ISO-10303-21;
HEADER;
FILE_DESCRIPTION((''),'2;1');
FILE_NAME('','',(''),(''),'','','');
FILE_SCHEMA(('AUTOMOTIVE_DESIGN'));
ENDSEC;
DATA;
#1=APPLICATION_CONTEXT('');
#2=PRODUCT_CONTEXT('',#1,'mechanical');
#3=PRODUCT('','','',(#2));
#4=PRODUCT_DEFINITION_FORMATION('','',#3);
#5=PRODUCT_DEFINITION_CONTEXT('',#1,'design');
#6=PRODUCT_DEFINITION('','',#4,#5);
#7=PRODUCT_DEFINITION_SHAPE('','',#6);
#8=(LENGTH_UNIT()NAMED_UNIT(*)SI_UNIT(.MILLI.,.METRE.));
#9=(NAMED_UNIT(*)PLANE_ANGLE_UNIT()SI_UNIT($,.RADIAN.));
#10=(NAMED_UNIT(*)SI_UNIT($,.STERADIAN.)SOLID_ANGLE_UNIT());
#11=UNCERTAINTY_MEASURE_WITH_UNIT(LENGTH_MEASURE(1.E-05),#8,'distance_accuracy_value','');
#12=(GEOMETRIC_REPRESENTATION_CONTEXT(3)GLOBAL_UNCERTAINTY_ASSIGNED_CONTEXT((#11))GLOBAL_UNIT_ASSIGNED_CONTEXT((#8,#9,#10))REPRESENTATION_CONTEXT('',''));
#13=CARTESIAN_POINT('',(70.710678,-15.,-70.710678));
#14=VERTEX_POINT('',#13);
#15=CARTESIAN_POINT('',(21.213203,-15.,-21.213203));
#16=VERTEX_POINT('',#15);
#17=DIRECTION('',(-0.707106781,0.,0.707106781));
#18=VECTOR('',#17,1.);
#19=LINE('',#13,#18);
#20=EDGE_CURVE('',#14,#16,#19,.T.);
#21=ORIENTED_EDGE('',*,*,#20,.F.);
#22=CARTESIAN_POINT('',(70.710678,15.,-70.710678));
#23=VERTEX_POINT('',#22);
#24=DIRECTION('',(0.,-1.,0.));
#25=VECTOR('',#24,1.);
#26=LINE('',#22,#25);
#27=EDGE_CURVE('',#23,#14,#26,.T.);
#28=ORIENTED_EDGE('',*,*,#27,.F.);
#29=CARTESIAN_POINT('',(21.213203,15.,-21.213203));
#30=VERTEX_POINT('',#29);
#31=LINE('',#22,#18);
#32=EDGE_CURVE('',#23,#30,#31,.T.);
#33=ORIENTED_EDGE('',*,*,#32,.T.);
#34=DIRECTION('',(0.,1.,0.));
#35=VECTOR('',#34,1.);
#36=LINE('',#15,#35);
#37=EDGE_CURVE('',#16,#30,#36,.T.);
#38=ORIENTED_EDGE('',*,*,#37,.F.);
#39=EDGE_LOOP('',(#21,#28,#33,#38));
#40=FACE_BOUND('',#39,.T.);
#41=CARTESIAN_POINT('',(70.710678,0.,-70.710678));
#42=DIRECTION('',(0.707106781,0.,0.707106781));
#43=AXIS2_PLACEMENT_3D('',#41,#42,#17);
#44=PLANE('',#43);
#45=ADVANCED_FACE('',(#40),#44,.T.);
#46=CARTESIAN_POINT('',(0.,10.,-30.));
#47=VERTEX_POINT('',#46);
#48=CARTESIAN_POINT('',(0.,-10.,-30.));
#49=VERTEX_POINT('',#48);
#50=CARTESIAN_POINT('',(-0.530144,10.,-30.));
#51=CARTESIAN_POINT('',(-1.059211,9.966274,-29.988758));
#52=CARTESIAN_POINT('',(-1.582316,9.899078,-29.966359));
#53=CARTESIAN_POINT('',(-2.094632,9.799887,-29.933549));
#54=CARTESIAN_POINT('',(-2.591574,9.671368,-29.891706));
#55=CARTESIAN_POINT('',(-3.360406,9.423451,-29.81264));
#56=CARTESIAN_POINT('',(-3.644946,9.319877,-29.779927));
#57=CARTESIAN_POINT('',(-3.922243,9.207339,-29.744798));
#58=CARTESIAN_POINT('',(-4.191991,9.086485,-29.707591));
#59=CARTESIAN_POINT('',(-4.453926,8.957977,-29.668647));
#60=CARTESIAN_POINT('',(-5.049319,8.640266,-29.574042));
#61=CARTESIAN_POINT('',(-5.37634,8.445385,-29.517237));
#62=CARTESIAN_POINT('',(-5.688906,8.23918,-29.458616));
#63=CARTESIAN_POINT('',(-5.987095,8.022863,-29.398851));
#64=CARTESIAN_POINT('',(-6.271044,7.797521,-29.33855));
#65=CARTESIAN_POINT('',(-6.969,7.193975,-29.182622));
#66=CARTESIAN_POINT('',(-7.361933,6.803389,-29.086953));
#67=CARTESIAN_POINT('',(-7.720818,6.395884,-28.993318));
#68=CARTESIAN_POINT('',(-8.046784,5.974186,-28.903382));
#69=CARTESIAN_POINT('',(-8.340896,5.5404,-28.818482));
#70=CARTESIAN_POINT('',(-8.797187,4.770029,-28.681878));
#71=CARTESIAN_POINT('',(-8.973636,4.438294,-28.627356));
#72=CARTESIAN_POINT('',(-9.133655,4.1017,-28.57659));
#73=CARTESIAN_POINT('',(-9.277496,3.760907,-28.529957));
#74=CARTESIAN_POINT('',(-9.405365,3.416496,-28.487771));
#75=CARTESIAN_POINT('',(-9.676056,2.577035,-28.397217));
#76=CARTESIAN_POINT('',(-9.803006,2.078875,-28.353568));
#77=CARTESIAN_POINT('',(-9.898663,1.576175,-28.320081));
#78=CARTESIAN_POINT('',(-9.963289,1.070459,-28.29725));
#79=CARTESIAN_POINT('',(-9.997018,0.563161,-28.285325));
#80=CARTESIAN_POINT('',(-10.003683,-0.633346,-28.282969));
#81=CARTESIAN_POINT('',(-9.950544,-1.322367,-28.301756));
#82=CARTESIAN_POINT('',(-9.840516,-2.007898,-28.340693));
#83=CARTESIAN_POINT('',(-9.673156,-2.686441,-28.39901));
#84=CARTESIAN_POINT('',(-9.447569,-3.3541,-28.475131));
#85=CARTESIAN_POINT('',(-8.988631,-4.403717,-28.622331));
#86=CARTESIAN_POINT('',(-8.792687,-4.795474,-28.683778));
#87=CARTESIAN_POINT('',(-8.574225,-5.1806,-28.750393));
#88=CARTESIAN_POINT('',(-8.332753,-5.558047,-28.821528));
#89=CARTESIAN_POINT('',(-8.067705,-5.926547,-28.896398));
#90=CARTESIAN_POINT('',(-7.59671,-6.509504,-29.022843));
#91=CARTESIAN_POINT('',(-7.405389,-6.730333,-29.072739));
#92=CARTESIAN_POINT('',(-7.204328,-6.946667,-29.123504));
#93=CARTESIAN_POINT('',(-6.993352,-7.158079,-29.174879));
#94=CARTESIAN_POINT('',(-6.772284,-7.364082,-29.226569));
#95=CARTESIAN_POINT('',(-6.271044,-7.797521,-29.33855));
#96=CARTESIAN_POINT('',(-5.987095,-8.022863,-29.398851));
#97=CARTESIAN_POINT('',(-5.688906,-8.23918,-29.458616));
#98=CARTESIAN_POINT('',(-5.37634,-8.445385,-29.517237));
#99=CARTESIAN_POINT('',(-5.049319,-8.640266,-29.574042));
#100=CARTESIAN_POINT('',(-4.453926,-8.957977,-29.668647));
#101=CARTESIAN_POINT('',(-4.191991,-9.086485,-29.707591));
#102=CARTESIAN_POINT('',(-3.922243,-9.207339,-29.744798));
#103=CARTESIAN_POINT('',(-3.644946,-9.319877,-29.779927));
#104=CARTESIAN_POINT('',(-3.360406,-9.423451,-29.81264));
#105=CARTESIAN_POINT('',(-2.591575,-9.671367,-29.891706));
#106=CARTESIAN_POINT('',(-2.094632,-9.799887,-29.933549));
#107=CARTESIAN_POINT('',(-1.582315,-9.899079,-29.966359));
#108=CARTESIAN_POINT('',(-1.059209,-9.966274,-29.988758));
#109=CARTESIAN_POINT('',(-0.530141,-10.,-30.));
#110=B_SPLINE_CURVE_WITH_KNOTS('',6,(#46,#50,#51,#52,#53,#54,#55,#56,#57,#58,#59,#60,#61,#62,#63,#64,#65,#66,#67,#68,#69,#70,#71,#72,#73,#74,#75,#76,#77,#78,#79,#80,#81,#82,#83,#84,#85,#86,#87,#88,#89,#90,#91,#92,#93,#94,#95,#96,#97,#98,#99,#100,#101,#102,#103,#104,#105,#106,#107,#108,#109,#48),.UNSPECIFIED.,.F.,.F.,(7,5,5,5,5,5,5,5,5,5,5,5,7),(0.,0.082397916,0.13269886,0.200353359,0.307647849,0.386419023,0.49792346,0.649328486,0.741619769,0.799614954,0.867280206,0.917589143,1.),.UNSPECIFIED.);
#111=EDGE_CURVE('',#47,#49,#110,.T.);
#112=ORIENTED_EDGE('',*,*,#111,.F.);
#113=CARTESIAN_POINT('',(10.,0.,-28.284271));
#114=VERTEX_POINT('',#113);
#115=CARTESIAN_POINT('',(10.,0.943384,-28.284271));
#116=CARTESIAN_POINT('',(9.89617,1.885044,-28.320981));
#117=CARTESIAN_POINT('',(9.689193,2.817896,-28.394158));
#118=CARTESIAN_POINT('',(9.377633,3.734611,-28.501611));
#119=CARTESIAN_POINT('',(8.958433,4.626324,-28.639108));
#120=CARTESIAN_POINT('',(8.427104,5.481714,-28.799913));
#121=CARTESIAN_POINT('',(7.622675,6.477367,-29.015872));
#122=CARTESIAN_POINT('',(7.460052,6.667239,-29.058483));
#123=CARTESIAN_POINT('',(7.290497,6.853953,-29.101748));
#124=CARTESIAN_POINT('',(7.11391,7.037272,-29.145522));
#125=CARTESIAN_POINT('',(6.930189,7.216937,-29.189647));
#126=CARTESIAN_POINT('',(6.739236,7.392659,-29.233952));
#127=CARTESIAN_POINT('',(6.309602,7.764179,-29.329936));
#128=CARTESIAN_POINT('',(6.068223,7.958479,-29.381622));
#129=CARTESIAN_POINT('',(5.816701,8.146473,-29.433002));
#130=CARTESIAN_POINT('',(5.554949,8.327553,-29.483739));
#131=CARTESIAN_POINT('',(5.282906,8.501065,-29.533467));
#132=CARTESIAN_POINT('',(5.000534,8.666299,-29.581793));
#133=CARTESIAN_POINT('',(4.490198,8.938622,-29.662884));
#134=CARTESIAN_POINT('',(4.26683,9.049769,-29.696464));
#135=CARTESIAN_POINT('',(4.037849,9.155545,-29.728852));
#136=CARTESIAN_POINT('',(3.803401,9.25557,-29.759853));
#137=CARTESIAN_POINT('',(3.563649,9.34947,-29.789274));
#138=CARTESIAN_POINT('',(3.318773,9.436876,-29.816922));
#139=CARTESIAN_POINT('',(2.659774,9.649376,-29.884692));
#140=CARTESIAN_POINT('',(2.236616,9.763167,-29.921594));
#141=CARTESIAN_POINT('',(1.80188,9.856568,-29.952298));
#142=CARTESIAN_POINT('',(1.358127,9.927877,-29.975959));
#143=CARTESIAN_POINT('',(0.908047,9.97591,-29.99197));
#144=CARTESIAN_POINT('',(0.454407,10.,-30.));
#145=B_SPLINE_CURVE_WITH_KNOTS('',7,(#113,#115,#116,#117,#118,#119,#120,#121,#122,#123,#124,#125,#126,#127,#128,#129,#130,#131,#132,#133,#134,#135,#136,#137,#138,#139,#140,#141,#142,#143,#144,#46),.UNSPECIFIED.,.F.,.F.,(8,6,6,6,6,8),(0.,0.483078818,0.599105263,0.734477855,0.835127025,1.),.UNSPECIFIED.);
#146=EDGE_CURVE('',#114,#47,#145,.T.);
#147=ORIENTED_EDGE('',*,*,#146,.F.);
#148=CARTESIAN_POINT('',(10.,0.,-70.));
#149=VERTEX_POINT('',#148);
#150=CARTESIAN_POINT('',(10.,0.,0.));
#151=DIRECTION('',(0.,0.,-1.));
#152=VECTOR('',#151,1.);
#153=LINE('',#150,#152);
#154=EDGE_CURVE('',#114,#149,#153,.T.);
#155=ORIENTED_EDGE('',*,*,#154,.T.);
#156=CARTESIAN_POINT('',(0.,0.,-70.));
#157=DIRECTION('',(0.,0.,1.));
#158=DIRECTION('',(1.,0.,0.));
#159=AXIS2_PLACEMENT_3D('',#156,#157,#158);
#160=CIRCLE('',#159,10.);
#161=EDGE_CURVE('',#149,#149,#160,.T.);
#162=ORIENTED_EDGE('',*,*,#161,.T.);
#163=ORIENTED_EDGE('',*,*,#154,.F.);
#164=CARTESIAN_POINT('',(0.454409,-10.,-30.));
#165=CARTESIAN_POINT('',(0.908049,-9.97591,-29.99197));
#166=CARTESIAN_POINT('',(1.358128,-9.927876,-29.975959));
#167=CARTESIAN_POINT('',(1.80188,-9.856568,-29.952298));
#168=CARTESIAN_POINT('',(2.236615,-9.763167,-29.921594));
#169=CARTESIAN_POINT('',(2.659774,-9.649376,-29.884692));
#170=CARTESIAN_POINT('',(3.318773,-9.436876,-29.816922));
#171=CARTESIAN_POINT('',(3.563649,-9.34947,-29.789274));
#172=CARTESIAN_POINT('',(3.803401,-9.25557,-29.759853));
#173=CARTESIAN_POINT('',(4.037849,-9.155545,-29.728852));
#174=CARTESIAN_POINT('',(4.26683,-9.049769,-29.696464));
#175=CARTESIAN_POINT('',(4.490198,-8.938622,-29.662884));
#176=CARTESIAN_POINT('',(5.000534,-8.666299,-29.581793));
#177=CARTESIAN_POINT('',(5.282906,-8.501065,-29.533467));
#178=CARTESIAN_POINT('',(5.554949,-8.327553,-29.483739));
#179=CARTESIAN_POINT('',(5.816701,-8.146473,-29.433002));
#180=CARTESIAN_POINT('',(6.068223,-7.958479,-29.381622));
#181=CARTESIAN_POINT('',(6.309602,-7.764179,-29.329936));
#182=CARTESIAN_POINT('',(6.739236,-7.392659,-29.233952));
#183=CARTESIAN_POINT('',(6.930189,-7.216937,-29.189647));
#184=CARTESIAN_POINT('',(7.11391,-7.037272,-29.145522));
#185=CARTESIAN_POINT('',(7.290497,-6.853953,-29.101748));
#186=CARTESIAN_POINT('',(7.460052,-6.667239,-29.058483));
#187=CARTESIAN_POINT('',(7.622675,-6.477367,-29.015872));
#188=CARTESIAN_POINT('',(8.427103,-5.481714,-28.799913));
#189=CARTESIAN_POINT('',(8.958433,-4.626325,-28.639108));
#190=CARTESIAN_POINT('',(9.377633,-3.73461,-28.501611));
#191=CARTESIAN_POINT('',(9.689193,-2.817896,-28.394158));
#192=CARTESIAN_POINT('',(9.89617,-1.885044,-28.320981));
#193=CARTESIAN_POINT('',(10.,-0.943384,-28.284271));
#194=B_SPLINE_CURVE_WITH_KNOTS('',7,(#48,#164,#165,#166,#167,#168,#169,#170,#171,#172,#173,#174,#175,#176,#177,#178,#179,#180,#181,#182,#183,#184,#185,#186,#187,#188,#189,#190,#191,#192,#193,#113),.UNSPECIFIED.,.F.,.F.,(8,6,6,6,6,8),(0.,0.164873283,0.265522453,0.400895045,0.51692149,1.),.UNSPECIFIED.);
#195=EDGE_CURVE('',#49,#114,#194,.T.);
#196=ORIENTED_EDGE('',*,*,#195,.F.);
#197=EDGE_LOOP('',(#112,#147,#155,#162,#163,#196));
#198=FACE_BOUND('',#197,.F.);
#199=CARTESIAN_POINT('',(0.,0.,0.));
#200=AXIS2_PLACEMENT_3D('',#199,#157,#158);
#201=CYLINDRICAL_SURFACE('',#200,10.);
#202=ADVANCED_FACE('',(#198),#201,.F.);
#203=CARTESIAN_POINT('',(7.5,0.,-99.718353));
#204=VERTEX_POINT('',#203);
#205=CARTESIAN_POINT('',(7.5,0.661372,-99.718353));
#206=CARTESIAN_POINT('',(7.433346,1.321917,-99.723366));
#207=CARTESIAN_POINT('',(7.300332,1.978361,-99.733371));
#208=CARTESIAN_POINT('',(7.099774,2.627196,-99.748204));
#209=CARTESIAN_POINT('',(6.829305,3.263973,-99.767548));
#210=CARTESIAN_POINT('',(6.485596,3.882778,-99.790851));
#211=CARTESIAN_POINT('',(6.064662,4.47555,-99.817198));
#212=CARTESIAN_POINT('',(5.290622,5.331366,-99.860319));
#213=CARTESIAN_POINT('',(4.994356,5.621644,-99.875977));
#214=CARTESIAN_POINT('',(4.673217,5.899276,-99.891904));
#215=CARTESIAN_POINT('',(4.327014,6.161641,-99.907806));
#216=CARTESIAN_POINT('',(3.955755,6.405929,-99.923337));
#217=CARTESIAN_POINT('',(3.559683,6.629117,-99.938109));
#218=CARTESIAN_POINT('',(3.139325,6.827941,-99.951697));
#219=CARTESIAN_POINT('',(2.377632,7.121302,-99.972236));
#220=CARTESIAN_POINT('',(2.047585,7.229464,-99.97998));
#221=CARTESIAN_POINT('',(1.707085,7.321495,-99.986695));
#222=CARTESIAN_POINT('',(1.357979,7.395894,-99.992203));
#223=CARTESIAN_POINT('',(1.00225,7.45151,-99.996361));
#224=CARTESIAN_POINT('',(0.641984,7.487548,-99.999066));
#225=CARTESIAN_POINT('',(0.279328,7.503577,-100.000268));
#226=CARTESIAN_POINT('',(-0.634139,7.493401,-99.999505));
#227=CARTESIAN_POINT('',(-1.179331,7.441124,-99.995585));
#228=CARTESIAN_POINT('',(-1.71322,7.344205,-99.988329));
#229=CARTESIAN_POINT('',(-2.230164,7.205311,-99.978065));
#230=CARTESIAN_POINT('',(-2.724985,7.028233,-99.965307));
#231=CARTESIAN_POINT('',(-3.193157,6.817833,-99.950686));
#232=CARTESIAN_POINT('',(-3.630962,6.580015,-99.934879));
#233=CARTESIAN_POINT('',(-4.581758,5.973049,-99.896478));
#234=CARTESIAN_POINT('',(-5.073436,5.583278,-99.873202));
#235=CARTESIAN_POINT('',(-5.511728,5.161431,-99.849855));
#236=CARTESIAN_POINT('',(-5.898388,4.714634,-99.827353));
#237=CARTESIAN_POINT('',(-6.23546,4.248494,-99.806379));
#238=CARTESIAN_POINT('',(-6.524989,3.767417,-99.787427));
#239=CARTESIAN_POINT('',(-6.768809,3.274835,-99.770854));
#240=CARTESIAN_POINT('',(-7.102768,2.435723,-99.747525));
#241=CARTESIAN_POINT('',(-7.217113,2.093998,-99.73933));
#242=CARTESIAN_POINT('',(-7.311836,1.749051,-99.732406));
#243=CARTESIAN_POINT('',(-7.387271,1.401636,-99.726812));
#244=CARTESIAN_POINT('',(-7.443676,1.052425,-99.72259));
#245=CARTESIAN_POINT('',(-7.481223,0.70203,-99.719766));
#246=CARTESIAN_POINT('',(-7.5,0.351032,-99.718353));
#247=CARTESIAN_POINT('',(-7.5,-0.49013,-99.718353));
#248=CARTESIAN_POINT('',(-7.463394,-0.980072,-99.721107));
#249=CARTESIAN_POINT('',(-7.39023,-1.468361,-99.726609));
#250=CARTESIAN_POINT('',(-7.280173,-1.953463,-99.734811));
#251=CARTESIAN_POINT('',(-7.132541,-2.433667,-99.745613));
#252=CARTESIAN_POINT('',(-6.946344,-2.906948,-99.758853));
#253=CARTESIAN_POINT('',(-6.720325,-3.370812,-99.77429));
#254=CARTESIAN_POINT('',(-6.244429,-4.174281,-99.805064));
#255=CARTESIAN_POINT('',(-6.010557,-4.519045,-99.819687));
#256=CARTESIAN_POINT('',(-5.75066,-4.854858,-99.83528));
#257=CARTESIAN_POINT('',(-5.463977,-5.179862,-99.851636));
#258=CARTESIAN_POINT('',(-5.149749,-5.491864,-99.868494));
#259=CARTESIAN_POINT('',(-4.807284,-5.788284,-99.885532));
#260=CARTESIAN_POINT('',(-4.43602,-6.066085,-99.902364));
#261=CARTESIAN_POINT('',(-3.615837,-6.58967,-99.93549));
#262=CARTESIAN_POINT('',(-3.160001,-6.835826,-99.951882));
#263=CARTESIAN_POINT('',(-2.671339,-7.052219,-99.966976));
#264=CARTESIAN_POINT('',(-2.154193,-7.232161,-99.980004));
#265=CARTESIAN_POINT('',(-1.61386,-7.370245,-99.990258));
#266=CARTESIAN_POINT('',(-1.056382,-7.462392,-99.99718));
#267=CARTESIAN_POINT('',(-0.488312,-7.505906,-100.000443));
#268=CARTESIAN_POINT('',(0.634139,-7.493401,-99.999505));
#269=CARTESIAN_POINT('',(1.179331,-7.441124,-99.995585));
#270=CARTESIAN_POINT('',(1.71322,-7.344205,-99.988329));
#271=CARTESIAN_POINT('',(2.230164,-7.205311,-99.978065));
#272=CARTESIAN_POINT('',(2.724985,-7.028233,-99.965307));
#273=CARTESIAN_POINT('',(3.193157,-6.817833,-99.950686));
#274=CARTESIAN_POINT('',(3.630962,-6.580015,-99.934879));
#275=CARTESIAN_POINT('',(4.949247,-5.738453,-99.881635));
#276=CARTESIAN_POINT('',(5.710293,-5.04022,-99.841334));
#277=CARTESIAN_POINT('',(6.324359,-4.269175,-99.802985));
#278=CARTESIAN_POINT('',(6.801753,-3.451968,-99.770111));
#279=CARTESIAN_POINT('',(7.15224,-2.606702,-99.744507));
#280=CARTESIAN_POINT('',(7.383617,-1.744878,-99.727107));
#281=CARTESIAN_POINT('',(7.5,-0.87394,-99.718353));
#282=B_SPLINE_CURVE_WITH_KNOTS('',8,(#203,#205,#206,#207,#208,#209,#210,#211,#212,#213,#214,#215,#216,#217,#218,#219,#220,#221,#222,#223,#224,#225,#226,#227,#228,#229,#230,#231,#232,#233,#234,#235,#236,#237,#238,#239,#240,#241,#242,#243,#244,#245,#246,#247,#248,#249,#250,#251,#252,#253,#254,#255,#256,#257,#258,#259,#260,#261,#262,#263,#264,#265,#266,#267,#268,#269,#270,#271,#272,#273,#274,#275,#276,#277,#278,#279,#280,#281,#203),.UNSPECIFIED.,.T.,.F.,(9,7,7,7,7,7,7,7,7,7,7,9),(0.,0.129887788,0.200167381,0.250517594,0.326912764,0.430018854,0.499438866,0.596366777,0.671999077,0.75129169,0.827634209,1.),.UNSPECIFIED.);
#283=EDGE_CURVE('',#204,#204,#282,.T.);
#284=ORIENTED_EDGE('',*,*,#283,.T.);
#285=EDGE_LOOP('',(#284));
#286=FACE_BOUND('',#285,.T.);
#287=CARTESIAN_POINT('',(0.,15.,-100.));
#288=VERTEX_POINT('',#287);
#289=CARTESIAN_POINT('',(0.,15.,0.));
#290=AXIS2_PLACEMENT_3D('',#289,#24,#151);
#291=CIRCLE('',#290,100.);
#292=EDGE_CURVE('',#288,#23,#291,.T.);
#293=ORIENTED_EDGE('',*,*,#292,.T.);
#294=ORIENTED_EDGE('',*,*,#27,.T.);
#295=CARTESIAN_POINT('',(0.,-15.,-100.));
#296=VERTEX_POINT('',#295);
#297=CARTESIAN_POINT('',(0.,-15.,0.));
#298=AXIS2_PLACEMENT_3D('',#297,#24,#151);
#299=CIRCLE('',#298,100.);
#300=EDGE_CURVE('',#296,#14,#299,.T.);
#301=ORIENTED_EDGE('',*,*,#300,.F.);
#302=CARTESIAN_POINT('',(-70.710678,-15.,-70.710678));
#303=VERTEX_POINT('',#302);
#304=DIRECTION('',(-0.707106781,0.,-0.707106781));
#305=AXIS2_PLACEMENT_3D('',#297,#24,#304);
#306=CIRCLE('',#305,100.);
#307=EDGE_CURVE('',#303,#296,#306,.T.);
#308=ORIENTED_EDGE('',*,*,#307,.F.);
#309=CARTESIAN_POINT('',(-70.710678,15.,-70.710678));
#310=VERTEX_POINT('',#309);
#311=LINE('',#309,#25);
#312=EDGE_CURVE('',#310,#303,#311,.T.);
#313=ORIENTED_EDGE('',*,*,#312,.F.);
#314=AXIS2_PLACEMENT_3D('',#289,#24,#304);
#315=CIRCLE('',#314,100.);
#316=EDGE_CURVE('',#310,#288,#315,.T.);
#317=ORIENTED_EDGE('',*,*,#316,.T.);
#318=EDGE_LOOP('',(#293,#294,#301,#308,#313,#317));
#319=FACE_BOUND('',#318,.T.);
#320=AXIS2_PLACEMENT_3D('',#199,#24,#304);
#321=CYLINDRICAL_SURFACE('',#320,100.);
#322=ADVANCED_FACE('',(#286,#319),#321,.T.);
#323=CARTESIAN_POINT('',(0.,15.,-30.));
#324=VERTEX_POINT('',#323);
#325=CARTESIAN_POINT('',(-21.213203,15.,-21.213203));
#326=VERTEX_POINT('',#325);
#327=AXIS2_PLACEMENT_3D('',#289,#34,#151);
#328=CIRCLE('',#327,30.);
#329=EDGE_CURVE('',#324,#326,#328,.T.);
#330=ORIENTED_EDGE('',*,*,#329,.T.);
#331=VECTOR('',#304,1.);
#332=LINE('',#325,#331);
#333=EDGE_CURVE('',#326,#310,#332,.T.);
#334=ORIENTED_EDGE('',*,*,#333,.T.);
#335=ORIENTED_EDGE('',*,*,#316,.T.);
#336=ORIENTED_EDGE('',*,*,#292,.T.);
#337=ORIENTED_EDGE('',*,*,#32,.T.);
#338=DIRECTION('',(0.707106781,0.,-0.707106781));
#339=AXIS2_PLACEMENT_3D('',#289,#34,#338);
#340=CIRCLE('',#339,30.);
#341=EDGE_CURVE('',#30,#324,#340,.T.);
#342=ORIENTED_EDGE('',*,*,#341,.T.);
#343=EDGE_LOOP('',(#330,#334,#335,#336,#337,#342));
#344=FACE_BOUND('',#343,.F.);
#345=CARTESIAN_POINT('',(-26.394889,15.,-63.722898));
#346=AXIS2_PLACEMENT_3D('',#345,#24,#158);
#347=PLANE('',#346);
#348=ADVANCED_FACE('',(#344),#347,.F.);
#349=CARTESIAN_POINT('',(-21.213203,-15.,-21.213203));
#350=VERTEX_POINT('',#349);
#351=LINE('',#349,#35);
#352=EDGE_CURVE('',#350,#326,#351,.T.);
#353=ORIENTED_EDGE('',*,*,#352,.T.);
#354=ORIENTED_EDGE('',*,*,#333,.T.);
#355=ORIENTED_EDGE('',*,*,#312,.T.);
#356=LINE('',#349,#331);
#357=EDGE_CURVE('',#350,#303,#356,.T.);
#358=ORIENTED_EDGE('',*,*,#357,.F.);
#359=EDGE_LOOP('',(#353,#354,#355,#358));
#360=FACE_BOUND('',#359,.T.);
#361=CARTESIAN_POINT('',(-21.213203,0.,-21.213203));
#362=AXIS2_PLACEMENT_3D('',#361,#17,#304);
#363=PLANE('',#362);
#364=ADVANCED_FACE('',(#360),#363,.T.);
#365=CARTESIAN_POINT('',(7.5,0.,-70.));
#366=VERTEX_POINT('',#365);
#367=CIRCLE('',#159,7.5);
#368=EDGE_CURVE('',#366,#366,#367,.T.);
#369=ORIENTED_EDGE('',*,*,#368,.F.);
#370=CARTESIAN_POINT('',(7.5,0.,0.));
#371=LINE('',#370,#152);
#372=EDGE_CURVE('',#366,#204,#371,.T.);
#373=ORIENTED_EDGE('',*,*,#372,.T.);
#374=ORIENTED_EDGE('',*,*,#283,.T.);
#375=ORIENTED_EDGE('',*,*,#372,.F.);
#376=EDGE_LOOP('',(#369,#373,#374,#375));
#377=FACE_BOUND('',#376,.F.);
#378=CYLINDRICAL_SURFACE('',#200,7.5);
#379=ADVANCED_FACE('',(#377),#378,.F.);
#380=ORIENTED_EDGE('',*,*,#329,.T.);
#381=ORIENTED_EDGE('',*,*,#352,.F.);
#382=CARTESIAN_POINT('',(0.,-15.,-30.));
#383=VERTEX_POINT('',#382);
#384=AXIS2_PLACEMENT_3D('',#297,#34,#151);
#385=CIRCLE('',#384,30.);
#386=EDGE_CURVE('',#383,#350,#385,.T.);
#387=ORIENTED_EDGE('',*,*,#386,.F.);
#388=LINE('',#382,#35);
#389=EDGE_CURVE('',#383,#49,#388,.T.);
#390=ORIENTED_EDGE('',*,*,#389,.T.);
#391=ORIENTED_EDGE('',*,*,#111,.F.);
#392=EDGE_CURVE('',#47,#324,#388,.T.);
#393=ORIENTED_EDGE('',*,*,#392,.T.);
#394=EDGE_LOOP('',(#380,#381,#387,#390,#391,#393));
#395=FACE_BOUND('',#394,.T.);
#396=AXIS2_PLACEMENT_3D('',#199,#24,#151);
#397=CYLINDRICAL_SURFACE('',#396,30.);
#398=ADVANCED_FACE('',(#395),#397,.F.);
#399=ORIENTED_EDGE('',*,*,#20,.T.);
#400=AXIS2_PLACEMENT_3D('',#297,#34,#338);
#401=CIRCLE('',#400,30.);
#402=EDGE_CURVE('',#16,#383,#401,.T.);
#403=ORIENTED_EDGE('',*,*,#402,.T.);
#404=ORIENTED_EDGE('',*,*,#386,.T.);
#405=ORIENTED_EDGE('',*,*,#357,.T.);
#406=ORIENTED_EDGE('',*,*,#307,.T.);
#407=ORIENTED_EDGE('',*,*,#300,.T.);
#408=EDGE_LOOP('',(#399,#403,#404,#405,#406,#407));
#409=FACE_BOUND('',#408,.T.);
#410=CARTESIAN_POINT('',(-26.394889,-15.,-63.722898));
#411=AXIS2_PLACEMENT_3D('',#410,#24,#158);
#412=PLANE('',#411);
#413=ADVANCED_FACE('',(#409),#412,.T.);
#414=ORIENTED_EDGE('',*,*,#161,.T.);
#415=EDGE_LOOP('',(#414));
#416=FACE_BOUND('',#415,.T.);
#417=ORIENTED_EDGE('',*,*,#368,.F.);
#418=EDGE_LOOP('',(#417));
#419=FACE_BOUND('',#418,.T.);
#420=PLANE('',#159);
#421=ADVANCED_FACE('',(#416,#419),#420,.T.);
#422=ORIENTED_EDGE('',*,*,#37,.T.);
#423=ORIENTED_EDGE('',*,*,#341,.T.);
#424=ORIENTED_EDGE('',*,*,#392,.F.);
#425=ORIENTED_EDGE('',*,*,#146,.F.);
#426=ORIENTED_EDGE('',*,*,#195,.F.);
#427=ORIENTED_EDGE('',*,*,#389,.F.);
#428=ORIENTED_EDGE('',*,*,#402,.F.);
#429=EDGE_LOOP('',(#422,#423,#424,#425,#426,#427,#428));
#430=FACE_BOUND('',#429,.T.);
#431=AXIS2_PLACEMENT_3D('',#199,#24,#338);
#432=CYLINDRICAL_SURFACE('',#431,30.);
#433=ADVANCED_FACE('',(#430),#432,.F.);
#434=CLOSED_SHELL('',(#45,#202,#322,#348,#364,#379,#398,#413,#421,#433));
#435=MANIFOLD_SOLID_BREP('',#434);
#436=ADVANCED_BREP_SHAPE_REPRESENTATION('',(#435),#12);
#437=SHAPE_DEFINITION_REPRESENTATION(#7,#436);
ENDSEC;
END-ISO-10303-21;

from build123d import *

# Parameters (mm, degrees)
F1_DEPTH = 15
F2_R     = 7.5
F3_DEPTH = 105.450168252
F4_R     = 10
F5_DEPTH = 70


with BuildPart() as f1:
    # F0 (on Front) → F1 (new body, symmetric)
    with BuildSketch(Plane.XZ):
        with BuildLine():
            Line((-21.2132034356, -21.2132034356), (-70.7106781187, -70.7106781187))
            ThreePointArc((-70.7106781187, -70.7106781187), (-38.2683432365, -92.3879532511), (0, -100))
            Line((0, -100), (0, -30))
            ThreePointArc((0, -30), (-11.480502971, -27.7163859753), (-21.2132034356, -21.2132034356))
        make_face()
        with BuildLine():
            Line((0, -30), (0, -100))
            ThreePointArc((0, -100), (38.2683432365, -92.3879532511), (70.7106781187, -70.7106781187))
            Line((70.7106781187, -70.7106781187), (21.2132034356, -21.2132034356))
            ThreePointArc((21.2132034356, -21.2132034356), (11.480502971, -27.7163859753), (0, -30))
        make_face()
    extrude(amount=F1_DEPTH, both=True)

    # F2 (on Top) → F3 (cut)
    with BuildSketch(Plane.XY):
        Circle(F2_R)
    extrude(amount=-F3_DEPTH, mode=Mode.SUBTRACT)

    # F4 (on Top) → F5 (cut)
    with BuildSketch(Plane.XY):
        Circle(F4_R)
    extrude(amount=-F5_DEPTH, mode=Mode.SUBTRACT)


solid = f1.part
